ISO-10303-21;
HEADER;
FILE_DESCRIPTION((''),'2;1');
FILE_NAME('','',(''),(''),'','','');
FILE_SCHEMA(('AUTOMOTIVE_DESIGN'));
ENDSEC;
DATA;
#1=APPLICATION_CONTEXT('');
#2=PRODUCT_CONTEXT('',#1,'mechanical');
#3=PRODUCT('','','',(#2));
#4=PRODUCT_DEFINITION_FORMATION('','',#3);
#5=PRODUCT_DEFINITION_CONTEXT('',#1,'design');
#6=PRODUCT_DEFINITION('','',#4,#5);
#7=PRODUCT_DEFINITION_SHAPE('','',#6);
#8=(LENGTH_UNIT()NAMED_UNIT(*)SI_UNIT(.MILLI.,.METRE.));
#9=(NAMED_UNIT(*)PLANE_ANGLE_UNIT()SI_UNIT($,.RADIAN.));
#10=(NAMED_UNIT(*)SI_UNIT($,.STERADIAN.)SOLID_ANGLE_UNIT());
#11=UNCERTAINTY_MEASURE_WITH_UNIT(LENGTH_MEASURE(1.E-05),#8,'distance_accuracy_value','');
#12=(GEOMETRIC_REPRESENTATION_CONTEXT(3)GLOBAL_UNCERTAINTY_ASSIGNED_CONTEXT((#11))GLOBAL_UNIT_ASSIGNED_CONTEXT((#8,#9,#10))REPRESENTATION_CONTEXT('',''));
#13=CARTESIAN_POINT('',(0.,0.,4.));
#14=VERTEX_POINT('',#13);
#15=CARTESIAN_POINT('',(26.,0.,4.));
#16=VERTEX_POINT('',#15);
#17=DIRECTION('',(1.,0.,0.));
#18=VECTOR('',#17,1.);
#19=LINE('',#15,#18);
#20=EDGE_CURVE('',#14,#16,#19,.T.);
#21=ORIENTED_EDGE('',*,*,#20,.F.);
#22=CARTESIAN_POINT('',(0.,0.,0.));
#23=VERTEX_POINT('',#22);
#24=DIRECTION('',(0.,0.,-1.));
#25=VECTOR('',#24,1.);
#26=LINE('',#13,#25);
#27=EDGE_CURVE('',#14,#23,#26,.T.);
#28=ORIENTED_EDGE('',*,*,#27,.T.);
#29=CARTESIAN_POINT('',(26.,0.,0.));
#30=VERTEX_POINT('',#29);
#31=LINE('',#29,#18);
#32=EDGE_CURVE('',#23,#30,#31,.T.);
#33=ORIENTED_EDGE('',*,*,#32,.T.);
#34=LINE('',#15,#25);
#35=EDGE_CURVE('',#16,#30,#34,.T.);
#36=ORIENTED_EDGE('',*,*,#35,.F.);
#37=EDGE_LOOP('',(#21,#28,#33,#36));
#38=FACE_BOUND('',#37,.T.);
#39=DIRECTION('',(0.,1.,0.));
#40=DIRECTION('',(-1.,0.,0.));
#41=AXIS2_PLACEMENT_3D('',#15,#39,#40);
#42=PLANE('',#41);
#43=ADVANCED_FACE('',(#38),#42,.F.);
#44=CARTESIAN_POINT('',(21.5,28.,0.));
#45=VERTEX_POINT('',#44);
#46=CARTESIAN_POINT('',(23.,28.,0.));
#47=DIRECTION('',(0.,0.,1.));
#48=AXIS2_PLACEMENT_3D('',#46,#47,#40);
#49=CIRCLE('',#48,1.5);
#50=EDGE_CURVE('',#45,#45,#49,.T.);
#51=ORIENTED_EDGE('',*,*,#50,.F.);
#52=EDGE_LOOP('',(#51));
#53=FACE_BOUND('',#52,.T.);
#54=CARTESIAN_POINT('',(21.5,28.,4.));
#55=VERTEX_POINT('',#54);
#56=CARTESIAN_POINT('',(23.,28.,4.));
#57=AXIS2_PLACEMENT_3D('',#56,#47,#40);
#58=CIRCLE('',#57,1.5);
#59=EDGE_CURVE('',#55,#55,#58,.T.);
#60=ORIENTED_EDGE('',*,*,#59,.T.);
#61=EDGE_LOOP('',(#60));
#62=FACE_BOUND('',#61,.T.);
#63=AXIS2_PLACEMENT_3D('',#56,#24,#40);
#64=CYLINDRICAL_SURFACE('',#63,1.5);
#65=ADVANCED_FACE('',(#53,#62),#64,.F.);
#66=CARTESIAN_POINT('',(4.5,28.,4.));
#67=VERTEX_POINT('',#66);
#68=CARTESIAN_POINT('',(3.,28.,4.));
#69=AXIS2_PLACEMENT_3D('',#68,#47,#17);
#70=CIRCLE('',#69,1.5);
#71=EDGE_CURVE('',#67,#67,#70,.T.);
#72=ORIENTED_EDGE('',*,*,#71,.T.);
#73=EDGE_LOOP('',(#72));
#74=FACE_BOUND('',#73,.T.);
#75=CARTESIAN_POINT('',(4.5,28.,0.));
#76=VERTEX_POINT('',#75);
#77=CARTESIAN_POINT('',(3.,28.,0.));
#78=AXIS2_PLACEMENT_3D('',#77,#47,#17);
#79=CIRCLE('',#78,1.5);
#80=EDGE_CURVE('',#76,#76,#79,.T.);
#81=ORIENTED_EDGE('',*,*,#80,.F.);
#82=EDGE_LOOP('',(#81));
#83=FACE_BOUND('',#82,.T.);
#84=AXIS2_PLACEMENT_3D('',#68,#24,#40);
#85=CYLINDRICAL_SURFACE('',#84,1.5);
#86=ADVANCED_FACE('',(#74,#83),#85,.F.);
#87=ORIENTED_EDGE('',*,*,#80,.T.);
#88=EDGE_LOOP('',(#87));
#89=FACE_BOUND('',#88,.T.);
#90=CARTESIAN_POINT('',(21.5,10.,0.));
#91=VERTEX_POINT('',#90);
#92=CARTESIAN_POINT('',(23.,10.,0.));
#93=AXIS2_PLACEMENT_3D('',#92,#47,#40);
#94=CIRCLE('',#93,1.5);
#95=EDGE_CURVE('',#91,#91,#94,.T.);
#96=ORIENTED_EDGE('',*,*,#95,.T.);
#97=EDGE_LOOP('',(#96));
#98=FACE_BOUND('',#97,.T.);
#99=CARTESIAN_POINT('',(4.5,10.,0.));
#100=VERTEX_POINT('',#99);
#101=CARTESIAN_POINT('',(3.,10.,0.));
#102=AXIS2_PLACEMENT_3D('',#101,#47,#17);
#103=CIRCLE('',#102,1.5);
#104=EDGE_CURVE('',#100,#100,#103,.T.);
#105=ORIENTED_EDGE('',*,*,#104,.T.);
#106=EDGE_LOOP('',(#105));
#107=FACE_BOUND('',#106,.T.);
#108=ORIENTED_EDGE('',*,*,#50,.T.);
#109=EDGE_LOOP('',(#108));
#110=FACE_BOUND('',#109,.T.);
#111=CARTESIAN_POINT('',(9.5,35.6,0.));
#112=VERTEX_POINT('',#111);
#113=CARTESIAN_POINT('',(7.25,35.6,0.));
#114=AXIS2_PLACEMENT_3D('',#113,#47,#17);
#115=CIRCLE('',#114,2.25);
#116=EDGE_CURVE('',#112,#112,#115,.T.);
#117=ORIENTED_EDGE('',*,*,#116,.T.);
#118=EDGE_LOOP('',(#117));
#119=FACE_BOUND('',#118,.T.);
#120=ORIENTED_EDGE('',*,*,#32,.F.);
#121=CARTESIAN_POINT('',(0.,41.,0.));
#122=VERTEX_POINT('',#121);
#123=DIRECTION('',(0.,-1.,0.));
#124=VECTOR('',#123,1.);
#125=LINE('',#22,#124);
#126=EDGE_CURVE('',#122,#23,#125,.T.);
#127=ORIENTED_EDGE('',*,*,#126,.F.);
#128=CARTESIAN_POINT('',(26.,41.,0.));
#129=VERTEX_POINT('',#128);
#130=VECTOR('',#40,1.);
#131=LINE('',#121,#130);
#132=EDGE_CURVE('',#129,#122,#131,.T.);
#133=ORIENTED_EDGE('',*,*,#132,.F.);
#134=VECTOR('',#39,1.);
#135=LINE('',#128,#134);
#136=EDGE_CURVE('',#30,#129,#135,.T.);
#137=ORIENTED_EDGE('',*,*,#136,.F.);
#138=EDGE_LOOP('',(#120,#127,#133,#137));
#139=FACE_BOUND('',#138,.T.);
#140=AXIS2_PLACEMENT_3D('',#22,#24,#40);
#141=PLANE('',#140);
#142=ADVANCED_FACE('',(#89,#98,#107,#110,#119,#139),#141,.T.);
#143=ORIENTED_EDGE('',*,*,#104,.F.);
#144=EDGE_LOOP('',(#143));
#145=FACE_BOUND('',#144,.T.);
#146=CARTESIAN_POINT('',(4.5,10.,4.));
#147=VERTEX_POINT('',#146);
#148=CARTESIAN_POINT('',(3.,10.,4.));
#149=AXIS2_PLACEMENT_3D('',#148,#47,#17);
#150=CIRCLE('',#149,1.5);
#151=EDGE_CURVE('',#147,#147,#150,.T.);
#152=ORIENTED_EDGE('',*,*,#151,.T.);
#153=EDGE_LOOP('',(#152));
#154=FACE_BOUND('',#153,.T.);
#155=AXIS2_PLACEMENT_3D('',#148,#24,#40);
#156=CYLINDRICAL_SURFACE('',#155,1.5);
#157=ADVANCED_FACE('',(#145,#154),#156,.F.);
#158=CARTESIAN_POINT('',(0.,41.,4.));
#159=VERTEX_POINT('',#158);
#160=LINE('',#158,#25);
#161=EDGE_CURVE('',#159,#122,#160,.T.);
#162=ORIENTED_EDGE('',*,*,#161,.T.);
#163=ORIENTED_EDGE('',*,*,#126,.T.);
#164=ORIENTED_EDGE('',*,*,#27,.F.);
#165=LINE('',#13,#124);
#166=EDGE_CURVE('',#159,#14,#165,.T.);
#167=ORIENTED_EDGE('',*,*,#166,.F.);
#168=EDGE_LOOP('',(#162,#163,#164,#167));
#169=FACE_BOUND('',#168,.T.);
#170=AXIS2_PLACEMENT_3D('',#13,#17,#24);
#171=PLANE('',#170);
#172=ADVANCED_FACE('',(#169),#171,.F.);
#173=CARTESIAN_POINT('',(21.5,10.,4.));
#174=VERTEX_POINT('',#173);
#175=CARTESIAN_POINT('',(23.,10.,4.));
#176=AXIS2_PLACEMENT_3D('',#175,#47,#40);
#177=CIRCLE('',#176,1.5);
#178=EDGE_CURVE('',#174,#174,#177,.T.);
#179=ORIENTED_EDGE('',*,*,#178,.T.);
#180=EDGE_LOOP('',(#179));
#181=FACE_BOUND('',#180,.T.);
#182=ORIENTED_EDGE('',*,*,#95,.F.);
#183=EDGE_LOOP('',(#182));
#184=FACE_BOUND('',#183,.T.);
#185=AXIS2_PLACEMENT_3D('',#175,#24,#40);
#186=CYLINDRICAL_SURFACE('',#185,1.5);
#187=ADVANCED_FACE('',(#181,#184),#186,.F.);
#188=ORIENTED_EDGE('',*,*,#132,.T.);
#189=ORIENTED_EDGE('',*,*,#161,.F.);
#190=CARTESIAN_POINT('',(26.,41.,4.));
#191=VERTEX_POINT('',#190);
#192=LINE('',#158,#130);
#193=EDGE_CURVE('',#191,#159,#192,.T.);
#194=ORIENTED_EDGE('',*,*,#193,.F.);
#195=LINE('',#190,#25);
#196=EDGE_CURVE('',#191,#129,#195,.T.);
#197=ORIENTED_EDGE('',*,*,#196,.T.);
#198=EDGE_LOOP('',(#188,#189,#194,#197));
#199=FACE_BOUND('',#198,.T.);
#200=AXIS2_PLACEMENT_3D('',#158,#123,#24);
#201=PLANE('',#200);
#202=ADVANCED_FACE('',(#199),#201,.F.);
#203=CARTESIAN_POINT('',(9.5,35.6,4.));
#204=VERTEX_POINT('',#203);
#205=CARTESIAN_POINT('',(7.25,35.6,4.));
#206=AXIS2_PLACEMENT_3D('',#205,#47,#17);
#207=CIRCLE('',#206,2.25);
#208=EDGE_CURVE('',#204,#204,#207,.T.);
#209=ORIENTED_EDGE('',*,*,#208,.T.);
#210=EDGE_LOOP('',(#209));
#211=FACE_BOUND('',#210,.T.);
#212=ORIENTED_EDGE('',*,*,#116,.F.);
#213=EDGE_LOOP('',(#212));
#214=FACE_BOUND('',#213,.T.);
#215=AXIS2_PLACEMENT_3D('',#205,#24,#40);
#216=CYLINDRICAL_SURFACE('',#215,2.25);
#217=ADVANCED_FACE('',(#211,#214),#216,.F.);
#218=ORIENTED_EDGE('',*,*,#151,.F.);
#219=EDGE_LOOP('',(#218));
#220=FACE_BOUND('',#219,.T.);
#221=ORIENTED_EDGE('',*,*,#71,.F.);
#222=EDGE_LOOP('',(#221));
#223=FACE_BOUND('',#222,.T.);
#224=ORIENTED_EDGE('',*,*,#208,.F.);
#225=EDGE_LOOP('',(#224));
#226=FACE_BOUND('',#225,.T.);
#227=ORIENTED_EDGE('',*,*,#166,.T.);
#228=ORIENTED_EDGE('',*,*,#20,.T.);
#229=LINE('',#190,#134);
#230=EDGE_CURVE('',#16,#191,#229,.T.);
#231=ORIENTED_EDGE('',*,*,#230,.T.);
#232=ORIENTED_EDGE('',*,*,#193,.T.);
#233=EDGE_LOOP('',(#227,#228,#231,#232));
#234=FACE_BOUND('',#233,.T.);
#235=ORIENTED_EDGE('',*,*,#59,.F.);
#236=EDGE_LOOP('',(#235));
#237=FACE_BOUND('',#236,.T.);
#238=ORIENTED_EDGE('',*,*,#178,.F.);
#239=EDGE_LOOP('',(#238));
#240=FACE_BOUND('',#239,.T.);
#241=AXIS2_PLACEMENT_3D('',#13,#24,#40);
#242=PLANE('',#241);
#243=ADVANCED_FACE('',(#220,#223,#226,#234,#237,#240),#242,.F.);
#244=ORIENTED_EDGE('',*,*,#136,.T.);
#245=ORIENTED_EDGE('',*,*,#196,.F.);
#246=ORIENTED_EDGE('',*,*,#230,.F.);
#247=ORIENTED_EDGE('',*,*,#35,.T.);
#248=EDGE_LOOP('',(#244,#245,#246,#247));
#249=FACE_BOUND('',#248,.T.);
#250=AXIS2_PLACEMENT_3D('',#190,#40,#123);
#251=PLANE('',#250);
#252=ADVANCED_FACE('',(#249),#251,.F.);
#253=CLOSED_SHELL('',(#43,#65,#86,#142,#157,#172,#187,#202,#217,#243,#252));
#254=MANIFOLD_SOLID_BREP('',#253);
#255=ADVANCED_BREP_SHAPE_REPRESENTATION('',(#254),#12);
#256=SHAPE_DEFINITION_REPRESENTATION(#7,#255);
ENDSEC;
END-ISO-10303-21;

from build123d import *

# Parameters (mm, degrees)
SKETCH1_W           = 26
SKETCH1_H           = 41
SKETCH1_R           = 2.25
SKETCH1_R_2         = 1.5
BOSS_EXTRUDE1_DEPTH = 4


with BuildPart() as part:
    # Sketch1 → Boss-Extrude1 (new body)
    with BuildSketch(Plane.XY):
        with Locations((13, 20.5)):
            Rectangle(SKETCH1_W, SKETCH1_H)
        with Locations((7.25, 35.6)):
            Circle(SKETCH1_R, mode=Mode.SUBTRACT)
        with Locations((3, 28)):
            Circle(SKETCH1_R_2, mode=Mode.SUBTRACT)
        with Locations((3, 10)):
            Circle(SKETCH1_R_2, mode=Mode.SUBTRACT)
        with Locations(Location((23, 10, 0), (0, 0, 180))):
            Circle(SKETCH1_R_2, mode=Mode.SUBTRACT)
        with Locations(Location((23, 28, 0), (0, 0, 180))):
            Circle(SKETCH1_R_2, mode=Mode.SUBTRACT)
    extrude(amount=BOSS_EXTRUDE1_DEPTH)


solid = part.part
